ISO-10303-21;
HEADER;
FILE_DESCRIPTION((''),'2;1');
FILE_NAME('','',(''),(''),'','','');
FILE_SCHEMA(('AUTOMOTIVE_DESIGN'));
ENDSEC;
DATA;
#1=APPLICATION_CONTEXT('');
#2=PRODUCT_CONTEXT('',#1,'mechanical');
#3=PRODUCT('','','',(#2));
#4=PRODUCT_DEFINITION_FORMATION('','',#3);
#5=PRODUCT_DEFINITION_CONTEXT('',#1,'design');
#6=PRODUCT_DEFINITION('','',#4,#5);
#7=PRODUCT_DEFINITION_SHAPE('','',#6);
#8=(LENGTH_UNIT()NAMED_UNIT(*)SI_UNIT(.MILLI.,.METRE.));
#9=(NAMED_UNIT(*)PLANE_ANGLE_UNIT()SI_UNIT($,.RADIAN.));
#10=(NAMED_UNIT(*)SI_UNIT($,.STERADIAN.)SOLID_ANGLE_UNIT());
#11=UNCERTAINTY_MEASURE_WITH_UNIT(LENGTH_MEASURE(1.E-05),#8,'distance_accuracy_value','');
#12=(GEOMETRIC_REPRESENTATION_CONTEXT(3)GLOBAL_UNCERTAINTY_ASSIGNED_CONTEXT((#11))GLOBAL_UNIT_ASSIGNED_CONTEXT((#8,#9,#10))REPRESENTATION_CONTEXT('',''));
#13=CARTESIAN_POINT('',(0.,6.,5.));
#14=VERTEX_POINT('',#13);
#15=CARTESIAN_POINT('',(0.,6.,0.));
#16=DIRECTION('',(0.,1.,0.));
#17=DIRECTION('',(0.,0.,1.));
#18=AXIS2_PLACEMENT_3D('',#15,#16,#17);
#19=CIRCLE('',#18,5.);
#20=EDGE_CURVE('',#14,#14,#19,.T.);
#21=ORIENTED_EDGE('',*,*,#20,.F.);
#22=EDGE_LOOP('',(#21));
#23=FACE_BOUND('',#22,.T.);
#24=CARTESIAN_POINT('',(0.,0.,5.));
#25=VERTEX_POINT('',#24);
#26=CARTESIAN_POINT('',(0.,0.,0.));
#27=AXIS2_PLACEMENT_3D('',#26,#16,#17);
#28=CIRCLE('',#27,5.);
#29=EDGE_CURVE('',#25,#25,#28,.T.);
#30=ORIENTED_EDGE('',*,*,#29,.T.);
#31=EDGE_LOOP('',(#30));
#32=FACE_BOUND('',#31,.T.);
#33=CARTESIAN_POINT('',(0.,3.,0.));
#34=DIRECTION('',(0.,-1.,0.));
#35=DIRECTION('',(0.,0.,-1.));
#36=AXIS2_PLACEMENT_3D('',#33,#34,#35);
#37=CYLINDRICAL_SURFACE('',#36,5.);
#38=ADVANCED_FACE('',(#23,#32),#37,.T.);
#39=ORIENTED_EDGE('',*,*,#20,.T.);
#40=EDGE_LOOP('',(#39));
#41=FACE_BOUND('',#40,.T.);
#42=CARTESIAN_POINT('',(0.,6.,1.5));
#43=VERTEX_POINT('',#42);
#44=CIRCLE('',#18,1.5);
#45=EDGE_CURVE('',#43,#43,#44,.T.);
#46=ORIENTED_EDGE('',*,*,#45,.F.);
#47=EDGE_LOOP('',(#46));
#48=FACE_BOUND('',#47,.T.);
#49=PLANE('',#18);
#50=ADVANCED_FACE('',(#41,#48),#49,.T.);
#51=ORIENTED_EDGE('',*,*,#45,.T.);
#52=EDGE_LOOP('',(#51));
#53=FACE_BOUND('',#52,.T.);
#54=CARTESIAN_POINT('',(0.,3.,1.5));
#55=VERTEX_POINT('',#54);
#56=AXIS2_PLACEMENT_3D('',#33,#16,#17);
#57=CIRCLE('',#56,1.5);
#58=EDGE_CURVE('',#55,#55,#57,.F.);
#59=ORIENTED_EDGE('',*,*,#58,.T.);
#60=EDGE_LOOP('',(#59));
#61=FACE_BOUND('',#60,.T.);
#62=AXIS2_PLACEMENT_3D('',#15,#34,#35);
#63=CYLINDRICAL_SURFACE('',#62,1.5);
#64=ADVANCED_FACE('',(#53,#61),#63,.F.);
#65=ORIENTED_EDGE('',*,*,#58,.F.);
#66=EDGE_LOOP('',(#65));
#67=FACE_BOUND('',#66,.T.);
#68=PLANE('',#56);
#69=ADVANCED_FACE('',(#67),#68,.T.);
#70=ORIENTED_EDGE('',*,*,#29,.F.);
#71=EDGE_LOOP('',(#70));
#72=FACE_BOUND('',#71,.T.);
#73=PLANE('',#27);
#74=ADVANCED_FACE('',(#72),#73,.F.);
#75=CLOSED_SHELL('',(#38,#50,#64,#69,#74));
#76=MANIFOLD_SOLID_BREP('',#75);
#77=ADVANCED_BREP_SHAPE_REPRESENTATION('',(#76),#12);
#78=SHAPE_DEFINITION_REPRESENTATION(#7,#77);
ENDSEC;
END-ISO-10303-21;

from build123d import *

# Parameters (mm, degrees)
SKETCH_1_R      = 5
EXTRUDE_1_DEPTH = 3
SKETCH_2_R      = 5
SKETCH_2_R_2    = 1.5
EXTRUDE_2_DEPTH = 3


with BuildPart() as part:
    # 草图1 → 凸台-拉伸1 (new body)
    with BuildSketch(Plane(origin=(0, 0, 0), x_dir=(1, 0, 0), z_dir=(0, 1, 0))):
        with Locations(Location((0, 0, 0), (0, 0, 270))):
            Circle(SKETCH_1_R)
    extrude(amount=EXTRUDE_1_DEPTH)

    # 草图2 → 凸台-拉伸2 (add)
    with BuildSketch(Plane(origin=(0, 3, 0), x_dir=(1, 0, 0), z_dir=(0, 1, 0))):
        with Locations(Location((0, 0, 0), (0, 0, 270))):
            Circle(SKETCH_2_R)
        with Locations(Location((0, 0, 0), (0, 0, 270))):
            Circle(SKETCH_2_R_2, mode=Mode.SUBTRACT)
    extrude(amount=EXTRUDE_2_DEPTH)


solid = part.part
